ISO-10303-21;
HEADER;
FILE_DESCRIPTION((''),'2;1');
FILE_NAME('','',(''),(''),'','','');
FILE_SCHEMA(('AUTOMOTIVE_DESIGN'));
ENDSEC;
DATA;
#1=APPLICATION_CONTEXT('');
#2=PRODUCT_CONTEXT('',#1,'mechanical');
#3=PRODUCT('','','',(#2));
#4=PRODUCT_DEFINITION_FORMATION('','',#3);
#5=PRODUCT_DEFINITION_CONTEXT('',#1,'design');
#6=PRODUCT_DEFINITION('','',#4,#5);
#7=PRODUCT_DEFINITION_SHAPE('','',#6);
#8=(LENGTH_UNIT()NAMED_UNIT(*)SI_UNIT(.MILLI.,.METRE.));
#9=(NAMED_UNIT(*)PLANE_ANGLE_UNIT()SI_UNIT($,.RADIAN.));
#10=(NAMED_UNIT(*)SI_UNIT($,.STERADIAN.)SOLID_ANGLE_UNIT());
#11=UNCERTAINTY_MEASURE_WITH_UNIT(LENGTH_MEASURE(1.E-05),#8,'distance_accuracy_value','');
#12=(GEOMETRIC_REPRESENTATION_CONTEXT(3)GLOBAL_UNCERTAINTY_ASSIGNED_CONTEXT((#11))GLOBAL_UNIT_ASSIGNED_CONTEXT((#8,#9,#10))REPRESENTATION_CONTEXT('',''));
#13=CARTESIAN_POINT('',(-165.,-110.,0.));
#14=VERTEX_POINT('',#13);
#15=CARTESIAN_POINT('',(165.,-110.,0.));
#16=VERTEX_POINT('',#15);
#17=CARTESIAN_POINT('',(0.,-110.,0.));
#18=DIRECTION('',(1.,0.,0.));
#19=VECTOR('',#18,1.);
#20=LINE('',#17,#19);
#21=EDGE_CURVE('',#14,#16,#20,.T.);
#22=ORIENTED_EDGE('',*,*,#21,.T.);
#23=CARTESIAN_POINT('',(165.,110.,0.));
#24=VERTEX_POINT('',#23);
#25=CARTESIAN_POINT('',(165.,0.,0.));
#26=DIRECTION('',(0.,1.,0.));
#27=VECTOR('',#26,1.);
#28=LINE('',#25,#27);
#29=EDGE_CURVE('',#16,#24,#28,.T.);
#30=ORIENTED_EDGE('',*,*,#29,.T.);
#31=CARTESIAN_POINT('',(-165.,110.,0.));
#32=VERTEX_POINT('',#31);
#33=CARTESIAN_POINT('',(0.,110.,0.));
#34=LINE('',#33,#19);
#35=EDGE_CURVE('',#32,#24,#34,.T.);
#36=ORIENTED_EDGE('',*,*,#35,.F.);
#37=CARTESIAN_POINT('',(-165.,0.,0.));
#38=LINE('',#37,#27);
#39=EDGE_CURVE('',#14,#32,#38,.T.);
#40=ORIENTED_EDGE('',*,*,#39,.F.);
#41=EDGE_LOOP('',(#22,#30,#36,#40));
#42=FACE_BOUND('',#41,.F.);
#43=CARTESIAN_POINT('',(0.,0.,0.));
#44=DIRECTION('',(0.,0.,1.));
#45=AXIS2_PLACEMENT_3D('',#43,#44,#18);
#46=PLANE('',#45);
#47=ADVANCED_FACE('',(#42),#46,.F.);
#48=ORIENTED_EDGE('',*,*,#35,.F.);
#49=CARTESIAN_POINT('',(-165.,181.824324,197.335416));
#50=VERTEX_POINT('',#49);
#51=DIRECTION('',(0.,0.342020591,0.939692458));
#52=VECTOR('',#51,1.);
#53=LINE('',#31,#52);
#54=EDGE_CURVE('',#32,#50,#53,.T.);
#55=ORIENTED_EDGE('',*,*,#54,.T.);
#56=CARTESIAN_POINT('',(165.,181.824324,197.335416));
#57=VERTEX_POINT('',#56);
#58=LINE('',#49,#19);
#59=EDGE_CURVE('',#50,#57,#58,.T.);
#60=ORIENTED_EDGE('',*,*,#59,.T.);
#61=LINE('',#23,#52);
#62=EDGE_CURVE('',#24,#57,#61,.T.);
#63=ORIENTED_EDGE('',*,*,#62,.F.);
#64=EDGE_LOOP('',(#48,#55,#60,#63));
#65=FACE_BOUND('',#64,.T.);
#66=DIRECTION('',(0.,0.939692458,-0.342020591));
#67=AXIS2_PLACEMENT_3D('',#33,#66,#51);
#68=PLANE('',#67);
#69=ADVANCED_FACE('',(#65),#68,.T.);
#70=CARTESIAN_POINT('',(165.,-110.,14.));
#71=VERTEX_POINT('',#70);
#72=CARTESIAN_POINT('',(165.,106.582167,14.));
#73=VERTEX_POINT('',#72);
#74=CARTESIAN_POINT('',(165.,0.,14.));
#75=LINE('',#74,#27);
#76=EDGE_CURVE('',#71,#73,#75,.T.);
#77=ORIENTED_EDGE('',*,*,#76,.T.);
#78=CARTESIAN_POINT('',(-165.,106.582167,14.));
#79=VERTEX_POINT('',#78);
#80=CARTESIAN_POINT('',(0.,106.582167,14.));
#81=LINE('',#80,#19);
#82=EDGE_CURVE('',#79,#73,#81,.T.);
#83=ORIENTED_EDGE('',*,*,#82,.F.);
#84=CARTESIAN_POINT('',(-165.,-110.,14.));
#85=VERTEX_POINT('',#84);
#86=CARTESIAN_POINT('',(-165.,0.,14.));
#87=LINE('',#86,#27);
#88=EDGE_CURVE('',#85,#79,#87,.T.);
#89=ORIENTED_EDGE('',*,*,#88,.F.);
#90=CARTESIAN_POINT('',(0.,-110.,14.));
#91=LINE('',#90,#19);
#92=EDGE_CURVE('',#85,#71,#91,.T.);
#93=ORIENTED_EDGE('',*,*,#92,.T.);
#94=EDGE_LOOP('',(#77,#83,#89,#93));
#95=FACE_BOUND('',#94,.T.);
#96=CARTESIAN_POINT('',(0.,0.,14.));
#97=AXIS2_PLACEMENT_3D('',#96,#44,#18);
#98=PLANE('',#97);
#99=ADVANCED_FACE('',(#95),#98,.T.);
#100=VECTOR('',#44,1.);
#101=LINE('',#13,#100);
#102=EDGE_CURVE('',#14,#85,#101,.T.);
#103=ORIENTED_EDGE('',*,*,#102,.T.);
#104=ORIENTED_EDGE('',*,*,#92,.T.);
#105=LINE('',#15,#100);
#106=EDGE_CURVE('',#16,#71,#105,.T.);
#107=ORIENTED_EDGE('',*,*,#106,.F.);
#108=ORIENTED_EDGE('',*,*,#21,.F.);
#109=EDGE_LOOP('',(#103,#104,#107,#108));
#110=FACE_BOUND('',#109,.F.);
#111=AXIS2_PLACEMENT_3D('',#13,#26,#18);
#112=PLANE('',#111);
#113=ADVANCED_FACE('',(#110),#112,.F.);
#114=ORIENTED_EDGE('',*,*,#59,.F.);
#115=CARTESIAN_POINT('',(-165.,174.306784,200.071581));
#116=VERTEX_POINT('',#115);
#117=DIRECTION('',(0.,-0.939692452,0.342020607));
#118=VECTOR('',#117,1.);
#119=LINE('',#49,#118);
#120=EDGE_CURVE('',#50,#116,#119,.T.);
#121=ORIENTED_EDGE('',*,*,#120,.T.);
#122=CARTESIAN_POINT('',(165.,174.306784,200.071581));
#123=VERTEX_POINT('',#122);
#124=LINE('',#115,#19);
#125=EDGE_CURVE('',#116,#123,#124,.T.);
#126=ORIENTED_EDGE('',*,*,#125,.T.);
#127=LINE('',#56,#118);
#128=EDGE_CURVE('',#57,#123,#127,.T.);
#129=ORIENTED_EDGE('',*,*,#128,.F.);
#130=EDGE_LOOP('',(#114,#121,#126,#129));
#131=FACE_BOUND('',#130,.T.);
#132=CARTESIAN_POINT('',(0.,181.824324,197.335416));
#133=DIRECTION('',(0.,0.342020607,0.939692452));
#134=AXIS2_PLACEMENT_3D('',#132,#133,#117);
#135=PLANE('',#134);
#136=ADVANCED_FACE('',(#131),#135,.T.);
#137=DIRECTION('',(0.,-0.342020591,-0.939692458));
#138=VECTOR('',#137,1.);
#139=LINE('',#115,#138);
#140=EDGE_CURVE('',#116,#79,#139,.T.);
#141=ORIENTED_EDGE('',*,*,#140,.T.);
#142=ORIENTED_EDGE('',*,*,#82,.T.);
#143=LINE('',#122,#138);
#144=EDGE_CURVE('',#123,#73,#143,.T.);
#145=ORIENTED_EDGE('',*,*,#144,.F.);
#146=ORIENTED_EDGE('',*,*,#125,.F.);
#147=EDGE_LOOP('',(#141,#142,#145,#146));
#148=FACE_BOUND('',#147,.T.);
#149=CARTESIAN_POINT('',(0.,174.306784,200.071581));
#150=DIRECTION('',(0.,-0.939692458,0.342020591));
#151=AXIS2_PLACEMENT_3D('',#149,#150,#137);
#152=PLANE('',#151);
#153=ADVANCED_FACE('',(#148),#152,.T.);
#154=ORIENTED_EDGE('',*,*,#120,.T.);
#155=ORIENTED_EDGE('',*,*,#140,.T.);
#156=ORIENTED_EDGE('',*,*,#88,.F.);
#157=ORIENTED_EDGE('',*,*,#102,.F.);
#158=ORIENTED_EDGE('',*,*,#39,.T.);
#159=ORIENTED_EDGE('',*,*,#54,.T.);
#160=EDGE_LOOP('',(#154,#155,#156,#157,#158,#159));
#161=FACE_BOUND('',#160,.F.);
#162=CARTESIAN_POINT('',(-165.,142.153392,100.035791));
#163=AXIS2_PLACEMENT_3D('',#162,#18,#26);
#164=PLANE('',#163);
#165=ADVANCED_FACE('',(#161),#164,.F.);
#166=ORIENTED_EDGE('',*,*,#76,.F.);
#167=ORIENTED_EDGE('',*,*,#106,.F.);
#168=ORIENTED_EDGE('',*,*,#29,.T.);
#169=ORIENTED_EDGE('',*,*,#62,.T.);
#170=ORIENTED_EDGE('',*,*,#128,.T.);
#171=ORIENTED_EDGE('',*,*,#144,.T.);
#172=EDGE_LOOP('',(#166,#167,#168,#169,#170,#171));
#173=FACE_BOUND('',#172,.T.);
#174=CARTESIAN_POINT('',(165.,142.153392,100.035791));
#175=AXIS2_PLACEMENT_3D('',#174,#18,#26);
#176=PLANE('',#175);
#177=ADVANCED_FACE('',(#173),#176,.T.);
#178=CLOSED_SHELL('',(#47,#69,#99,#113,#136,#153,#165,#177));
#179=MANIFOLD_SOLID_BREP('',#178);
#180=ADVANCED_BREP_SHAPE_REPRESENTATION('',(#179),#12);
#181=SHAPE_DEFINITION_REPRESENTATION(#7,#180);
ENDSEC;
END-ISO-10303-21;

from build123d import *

# Parameters (mm, degrees)
SKETCH_W     = 330
SKETCH_H     = 220
PAD_DEPTH    = 14
PAD001_DEPTH = 165


with BuildPart() as part:
    # Sketch → Pad (new body)
    with BuildSketch(Plane.XY):
        Rectangle(SKETCH_W, SKETCH_H)
    extrude(amount=PAD_DEPTH)

    # Sketch001 → Pad001 (join, symmetric)
    with BuildSketch(Plane.YZ):
        Polygon((110, 0), (181.824324, 197.335416), (174.306784, 200.071581), (102.48246, 2.736165), align=None)
    extrude(amount=PAD001_DEPTH, both=True)


solid = part.part
